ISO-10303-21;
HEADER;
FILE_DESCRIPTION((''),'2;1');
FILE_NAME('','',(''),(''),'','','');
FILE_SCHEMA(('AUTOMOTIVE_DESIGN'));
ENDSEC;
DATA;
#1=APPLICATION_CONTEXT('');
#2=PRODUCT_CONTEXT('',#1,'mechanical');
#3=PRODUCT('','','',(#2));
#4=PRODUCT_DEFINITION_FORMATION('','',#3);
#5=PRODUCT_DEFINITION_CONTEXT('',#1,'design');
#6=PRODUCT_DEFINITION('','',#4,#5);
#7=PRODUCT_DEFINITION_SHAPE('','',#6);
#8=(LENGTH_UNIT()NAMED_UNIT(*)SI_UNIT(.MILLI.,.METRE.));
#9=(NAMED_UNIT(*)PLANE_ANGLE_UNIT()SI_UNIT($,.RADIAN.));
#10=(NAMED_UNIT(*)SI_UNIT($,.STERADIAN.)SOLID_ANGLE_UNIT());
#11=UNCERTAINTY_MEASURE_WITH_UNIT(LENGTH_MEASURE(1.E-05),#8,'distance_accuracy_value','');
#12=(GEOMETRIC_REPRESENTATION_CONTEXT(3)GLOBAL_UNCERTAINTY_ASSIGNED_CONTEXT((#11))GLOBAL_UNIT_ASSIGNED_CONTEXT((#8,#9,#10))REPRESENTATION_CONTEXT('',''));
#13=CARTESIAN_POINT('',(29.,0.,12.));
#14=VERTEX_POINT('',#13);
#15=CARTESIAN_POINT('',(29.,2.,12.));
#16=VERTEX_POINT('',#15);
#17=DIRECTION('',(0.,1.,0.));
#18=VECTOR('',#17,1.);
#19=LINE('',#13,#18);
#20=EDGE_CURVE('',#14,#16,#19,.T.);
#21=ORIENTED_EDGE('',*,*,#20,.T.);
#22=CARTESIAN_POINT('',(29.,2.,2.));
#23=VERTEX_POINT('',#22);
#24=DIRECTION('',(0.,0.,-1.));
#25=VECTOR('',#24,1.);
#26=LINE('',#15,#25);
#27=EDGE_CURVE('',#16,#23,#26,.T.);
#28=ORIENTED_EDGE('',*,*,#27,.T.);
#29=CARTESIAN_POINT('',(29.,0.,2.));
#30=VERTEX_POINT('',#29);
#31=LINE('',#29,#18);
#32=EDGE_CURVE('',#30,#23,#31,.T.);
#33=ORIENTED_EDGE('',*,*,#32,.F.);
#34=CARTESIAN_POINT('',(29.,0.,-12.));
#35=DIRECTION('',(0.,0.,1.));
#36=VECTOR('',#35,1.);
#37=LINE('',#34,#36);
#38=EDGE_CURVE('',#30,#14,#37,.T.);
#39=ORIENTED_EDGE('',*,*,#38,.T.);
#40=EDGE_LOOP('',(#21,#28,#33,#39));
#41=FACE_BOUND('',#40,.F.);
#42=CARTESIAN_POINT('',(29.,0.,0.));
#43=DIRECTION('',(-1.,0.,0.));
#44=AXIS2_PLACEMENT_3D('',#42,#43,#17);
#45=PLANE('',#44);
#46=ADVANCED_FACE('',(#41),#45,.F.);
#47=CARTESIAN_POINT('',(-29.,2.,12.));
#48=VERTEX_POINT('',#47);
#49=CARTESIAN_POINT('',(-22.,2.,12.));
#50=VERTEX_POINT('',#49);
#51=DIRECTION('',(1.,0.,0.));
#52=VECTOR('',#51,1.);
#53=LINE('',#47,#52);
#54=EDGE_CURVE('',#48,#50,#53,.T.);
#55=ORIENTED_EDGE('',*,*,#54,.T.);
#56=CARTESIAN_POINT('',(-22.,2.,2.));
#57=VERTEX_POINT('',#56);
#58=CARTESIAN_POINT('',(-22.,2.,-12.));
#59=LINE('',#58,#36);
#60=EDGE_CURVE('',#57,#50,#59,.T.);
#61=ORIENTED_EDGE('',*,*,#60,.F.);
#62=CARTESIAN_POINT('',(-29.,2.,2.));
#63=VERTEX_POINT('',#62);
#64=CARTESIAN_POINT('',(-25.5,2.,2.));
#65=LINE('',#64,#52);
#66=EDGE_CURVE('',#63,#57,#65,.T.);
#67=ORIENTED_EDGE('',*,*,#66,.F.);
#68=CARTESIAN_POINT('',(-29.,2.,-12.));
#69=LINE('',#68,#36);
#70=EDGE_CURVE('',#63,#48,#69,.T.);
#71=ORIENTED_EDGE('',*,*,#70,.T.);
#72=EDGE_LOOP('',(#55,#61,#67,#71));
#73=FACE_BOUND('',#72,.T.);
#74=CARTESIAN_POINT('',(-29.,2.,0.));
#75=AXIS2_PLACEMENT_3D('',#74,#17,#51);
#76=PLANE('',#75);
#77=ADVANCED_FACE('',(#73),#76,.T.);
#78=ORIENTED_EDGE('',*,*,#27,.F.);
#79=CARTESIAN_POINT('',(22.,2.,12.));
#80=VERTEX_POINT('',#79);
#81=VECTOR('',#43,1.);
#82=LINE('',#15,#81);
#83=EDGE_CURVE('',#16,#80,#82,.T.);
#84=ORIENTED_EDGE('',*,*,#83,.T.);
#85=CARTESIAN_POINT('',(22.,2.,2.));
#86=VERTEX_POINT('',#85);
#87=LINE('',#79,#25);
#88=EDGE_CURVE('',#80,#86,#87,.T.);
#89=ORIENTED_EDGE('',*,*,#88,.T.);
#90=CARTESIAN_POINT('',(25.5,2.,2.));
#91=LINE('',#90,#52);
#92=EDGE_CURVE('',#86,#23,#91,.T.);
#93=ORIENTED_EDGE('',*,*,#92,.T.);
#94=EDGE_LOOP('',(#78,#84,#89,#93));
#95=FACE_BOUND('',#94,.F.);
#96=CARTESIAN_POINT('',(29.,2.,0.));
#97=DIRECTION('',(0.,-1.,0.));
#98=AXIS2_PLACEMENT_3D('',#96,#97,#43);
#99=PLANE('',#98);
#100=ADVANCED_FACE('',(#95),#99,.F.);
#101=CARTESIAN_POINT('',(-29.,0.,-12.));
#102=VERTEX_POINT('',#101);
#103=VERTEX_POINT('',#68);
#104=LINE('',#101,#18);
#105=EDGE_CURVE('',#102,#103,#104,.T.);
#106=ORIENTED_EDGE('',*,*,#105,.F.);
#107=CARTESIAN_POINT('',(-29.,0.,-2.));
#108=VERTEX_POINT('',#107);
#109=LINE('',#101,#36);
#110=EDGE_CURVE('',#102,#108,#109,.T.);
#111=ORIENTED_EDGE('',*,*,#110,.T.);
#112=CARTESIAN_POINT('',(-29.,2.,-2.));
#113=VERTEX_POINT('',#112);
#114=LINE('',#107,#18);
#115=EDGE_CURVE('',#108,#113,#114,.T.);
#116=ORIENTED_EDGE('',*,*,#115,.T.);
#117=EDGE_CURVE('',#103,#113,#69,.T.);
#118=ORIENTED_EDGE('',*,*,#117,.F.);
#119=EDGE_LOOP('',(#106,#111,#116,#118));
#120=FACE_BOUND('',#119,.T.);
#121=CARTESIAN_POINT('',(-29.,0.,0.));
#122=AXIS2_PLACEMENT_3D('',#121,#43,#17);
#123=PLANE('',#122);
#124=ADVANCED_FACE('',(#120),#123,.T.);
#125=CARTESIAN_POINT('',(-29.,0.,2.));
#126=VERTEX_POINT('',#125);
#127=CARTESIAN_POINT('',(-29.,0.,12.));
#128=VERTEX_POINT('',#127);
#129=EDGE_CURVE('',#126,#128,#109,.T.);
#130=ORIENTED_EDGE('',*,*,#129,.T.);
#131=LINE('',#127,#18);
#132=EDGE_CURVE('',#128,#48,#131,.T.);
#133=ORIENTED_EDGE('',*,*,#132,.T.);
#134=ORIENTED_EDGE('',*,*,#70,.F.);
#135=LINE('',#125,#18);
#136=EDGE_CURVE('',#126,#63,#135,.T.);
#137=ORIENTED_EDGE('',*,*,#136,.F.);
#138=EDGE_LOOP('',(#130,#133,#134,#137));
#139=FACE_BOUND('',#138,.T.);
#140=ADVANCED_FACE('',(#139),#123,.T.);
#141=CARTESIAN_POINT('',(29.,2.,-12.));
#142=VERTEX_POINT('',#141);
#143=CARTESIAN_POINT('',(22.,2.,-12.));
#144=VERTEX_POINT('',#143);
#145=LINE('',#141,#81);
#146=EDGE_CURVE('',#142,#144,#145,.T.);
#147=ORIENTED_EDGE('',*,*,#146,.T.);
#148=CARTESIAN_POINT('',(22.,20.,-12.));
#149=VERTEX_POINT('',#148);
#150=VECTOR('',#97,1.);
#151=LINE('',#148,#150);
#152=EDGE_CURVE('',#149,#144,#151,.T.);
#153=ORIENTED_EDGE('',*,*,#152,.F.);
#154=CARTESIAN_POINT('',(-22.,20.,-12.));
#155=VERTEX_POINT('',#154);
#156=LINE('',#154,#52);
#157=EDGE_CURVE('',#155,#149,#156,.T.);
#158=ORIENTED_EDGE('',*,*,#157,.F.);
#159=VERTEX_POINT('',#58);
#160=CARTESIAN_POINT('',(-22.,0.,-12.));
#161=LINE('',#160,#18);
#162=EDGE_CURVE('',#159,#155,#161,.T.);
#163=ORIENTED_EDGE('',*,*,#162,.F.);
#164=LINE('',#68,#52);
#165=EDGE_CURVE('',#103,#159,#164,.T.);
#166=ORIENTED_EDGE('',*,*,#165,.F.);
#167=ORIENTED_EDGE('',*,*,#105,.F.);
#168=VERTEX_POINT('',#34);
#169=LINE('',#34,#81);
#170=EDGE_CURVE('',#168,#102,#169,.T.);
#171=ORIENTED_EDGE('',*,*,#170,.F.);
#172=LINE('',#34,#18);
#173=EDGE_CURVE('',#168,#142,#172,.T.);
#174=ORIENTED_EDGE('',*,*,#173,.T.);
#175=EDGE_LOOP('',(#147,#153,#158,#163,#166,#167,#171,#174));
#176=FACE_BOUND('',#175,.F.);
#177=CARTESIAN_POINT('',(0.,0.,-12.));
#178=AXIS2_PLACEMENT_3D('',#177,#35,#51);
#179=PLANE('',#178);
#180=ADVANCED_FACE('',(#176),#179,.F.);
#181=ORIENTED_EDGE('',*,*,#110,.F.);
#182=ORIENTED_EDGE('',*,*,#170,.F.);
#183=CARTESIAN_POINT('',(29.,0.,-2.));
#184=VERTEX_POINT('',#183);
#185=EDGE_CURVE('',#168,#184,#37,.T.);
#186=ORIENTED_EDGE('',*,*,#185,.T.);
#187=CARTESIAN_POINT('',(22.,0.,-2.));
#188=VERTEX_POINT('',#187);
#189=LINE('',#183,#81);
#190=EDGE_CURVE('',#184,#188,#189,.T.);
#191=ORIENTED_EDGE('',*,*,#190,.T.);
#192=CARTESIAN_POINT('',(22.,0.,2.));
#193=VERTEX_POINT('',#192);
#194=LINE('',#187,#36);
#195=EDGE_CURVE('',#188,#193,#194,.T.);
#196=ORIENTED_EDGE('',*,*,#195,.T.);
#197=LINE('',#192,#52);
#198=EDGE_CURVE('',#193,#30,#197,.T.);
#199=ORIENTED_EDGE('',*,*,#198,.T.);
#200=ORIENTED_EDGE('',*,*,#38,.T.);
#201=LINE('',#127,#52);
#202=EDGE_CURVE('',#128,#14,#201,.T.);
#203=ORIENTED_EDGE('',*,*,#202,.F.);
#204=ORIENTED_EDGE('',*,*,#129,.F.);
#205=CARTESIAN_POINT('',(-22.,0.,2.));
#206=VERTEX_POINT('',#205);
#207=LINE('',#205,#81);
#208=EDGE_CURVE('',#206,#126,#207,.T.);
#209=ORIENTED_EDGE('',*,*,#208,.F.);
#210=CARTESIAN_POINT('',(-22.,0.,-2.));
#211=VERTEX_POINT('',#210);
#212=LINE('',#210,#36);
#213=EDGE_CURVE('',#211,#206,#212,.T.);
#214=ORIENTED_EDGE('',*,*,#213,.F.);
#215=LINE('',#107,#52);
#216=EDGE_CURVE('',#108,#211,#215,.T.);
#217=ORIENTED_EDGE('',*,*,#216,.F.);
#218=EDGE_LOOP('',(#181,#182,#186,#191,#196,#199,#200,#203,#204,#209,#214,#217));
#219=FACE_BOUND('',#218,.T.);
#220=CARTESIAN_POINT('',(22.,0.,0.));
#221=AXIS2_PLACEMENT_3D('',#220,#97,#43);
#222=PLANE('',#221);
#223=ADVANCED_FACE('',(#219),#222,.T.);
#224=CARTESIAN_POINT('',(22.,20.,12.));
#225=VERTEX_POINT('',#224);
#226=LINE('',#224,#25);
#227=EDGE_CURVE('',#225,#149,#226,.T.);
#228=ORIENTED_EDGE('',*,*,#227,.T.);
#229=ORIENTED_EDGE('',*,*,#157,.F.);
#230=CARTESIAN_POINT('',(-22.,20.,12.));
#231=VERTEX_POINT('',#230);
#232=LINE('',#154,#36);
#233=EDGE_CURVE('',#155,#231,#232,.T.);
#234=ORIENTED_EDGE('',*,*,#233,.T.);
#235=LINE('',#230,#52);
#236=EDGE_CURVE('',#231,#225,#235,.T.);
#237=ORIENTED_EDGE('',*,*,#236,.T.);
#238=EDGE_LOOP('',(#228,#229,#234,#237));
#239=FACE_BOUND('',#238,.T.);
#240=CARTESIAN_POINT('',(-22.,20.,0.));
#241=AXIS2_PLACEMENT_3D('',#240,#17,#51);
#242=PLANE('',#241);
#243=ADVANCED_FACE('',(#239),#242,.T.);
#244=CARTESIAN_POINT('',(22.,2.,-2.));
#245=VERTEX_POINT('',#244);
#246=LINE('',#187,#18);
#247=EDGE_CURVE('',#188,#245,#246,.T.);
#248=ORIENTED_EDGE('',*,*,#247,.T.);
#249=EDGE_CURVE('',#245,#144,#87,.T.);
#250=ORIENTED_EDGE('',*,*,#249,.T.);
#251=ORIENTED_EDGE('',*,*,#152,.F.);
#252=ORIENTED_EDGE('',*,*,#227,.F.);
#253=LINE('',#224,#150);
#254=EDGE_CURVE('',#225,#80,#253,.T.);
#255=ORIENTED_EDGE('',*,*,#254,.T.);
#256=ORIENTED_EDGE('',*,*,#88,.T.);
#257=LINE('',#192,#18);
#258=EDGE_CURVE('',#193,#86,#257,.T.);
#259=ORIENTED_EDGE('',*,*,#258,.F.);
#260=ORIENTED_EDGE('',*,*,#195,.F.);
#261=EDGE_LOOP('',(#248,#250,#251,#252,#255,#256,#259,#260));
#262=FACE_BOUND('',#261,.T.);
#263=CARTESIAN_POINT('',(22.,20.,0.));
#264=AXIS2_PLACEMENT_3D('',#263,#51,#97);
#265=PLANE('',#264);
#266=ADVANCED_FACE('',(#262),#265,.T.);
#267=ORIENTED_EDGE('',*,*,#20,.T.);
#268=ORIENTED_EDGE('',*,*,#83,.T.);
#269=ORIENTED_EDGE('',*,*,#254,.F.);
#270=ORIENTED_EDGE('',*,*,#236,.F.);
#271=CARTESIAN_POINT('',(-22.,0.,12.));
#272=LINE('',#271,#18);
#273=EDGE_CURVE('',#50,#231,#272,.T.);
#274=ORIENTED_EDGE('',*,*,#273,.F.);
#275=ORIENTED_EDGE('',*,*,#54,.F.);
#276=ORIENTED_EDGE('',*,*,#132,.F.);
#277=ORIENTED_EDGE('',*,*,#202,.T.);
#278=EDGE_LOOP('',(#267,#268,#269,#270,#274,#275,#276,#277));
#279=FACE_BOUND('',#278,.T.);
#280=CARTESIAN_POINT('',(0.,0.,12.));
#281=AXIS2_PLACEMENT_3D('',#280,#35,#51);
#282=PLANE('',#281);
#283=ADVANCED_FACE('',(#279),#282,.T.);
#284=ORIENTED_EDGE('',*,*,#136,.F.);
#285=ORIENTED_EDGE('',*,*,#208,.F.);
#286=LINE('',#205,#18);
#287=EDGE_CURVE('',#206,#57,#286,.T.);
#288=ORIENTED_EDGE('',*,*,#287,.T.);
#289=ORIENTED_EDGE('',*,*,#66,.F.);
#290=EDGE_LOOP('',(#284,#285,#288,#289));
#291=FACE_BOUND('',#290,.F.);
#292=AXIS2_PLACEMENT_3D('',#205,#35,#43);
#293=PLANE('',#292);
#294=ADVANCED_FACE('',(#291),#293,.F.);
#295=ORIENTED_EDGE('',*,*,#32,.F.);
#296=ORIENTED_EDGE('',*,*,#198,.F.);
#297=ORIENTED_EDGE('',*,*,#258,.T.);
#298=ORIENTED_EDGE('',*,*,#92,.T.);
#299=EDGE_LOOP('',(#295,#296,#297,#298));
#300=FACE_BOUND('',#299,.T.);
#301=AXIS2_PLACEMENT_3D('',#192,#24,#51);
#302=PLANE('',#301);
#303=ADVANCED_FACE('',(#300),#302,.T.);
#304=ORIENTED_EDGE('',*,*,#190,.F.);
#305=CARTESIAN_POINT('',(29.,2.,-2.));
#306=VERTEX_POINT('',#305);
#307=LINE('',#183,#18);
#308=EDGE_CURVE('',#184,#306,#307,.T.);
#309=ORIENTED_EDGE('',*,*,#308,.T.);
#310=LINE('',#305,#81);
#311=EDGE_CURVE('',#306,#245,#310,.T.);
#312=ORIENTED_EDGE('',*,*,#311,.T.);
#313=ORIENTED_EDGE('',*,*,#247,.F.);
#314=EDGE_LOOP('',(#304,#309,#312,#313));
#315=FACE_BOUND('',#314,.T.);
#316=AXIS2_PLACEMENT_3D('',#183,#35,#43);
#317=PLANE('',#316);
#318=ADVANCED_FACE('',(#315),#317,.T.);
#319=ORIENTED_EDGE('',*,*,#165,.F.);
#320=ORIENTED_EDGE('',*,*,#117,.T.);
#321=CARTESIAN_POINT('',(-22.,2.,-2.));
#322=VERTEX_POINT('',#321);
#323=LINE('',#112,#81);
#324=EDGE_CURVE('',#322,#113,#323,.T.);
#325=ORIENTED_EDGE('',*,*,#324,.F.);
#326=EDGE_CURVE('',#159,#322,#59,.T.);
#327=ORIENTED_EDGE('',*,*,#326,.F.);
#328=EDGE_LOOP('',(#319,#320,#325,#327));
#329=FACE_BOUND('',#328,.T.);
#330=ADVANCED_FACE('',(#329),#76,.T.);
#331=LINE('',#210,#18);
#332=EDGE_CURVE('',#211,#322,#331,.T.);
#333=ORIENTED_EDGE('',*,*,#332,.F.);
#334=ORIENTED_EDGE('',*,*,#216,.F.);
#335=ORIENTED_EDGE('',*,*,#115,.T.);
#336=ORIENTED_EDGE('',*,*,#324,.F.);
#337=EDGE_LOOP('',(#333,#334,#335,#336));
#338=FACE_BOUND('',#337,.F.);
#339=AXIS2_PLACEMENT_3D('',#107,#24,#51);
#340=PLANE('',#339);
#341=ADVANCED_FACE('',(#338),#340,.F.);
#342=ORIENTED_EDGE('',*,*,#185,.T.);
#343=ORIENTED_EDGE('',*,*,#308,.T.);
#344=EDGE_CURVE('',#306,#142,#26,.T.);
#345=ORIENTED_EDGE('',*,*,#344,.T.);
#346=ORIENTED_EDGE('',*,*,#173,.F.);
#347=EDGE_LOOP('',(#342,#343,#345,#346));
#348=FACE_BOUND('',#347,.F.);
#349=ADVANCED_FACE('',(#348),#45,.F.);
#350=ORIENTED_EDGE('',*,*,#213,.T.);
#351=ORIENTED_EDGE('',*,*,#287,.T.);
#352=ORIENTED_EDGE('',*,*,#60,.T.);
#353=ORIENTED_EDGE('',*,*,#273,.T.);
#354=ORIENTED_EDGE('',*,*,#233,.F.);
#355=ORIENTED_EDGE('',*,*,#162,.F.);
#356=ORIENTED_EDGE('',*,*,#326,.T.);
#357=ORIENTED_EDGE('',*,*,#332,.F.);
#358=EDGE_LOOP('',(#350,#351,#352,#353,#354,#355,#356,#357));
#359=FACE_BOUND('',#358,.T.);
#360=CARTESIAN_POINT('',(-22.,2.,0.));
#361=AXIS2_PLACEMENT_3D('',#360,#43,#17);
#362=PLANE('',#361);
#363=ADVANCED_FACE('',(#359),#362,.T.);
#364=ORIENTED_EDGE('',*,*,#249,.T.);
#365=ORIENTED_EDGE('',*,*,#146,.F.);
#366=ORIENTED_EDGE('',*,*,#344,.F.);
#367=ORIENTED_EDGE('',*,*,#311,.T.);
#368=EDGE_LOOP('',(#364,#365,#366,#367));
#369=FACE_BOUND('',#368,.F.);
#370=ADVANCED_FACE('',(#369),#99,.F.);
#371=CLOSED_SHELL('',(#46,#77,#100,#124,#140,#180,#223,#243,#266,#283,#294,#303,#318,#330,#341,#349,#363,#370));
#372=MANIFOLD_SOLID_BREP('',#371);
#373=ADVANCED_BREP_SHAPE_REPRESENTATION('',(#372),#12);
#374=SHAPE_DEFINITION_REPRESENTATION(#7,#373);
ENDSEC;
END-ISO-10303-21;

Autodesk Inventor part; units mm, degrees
ref_plane "YZ Plane" through (0, 0, 0) normal (1, 0, 0) x (0, 1, 0)
ref_plane "XZ Plane" through (0, 0, 0) normal (0, 1, 0) x (-1, 0, 0)
ref_plane "XY Plane" through (0, 0, 0) normal (0, 0, 1) x (1, 0, 0)
sketch "Sketch1" plane through (0, 0, 0) normal (0, 0, 1) x (1, 0, 0)
  line L0 (-22, 20) -> (22, 20)
  line L1 (22, 20) -> (22, 0)
  line L2 (22, 0) -> (-22, 0)
  line L3 (-22, 0) -> (-22, 20)
  line L4 (-22, 20) -> (22, 0) construction
  line L5 (22, 20) -> (-22, 0) construction
  line L6 (-29, 2) -> (-22, 2)
  line L7 (-22, 2) -> (-22, 0)
  line L8 (-22, 0) -> (-29, 0)
  line L9 (-29, 0) -> (-29, 2)
  line L10 (-29, 2) -> (-22, 0) construction
  line L11 (-22, 2) -> (-29, 0) construction
  line L12 (29, 2) -> (22, 2)
  line L13 (22, 2) -> (22, 0)
  line L14 (22, 0) -> (29, 0)
  line L15 (29, 0) -> (29, 2)
  line L16 (29, 2) -> (22, 0) construction
  line L17 (22, 2) -> (29, 0) construction
  point P0 (0, 0)
  point P1 (0, 10)
  point P2 (-25.5, 1)
  point P3 (25.5, 1)
  dimension "d0" = 58
  dimension "d1" = 20
  dimension "d2" = 2
  dimension "d3" = 44
extrude "Extrusion1" add sketch "Sketch1" along normal mid plane 24
sketch "Sketch2" plane through (-29, 0, 12) normal (0, -1, 0) x (1, 0, 0)
  line L0 (58, -24) -> (58, 0) projected
  line L1 (51, -10) -> (58, -10)
  line L2 (58, -10) -> (58, -14)
  line L3 (58, -14) -> (51, -14)
  line L4 (51, -14) -> (51, -10)
  line L5 (51, -10) -> (58, -14) construction
  line L6 (58, -10) -> (51, -14) construction
  line L7 (0, -24) -> (0, 0) projected
  line L8 (7, -10) -> (0, -10)
  line L9 (0, -10) -> (0, -14)
  line L10 (0, -14) -> (7, -14)
  line L11 (7, -14) -> (7, -10)
  line L12 (7, -10) -> (0, -14) construction
  line L13 (0, -10) -> (7, -14) construction
  point P0 (29, -12)
  point P1 (54.5, -12)
  point P2 (3.5, -12)
  point P3 (0, -10)
  dimension "d6" = 4
  dimension "d7" = 44
extrude "Extrusion2" cut sketch "Sketch2" against normal blind 24
properties part number "DCDC24Vto15V"
